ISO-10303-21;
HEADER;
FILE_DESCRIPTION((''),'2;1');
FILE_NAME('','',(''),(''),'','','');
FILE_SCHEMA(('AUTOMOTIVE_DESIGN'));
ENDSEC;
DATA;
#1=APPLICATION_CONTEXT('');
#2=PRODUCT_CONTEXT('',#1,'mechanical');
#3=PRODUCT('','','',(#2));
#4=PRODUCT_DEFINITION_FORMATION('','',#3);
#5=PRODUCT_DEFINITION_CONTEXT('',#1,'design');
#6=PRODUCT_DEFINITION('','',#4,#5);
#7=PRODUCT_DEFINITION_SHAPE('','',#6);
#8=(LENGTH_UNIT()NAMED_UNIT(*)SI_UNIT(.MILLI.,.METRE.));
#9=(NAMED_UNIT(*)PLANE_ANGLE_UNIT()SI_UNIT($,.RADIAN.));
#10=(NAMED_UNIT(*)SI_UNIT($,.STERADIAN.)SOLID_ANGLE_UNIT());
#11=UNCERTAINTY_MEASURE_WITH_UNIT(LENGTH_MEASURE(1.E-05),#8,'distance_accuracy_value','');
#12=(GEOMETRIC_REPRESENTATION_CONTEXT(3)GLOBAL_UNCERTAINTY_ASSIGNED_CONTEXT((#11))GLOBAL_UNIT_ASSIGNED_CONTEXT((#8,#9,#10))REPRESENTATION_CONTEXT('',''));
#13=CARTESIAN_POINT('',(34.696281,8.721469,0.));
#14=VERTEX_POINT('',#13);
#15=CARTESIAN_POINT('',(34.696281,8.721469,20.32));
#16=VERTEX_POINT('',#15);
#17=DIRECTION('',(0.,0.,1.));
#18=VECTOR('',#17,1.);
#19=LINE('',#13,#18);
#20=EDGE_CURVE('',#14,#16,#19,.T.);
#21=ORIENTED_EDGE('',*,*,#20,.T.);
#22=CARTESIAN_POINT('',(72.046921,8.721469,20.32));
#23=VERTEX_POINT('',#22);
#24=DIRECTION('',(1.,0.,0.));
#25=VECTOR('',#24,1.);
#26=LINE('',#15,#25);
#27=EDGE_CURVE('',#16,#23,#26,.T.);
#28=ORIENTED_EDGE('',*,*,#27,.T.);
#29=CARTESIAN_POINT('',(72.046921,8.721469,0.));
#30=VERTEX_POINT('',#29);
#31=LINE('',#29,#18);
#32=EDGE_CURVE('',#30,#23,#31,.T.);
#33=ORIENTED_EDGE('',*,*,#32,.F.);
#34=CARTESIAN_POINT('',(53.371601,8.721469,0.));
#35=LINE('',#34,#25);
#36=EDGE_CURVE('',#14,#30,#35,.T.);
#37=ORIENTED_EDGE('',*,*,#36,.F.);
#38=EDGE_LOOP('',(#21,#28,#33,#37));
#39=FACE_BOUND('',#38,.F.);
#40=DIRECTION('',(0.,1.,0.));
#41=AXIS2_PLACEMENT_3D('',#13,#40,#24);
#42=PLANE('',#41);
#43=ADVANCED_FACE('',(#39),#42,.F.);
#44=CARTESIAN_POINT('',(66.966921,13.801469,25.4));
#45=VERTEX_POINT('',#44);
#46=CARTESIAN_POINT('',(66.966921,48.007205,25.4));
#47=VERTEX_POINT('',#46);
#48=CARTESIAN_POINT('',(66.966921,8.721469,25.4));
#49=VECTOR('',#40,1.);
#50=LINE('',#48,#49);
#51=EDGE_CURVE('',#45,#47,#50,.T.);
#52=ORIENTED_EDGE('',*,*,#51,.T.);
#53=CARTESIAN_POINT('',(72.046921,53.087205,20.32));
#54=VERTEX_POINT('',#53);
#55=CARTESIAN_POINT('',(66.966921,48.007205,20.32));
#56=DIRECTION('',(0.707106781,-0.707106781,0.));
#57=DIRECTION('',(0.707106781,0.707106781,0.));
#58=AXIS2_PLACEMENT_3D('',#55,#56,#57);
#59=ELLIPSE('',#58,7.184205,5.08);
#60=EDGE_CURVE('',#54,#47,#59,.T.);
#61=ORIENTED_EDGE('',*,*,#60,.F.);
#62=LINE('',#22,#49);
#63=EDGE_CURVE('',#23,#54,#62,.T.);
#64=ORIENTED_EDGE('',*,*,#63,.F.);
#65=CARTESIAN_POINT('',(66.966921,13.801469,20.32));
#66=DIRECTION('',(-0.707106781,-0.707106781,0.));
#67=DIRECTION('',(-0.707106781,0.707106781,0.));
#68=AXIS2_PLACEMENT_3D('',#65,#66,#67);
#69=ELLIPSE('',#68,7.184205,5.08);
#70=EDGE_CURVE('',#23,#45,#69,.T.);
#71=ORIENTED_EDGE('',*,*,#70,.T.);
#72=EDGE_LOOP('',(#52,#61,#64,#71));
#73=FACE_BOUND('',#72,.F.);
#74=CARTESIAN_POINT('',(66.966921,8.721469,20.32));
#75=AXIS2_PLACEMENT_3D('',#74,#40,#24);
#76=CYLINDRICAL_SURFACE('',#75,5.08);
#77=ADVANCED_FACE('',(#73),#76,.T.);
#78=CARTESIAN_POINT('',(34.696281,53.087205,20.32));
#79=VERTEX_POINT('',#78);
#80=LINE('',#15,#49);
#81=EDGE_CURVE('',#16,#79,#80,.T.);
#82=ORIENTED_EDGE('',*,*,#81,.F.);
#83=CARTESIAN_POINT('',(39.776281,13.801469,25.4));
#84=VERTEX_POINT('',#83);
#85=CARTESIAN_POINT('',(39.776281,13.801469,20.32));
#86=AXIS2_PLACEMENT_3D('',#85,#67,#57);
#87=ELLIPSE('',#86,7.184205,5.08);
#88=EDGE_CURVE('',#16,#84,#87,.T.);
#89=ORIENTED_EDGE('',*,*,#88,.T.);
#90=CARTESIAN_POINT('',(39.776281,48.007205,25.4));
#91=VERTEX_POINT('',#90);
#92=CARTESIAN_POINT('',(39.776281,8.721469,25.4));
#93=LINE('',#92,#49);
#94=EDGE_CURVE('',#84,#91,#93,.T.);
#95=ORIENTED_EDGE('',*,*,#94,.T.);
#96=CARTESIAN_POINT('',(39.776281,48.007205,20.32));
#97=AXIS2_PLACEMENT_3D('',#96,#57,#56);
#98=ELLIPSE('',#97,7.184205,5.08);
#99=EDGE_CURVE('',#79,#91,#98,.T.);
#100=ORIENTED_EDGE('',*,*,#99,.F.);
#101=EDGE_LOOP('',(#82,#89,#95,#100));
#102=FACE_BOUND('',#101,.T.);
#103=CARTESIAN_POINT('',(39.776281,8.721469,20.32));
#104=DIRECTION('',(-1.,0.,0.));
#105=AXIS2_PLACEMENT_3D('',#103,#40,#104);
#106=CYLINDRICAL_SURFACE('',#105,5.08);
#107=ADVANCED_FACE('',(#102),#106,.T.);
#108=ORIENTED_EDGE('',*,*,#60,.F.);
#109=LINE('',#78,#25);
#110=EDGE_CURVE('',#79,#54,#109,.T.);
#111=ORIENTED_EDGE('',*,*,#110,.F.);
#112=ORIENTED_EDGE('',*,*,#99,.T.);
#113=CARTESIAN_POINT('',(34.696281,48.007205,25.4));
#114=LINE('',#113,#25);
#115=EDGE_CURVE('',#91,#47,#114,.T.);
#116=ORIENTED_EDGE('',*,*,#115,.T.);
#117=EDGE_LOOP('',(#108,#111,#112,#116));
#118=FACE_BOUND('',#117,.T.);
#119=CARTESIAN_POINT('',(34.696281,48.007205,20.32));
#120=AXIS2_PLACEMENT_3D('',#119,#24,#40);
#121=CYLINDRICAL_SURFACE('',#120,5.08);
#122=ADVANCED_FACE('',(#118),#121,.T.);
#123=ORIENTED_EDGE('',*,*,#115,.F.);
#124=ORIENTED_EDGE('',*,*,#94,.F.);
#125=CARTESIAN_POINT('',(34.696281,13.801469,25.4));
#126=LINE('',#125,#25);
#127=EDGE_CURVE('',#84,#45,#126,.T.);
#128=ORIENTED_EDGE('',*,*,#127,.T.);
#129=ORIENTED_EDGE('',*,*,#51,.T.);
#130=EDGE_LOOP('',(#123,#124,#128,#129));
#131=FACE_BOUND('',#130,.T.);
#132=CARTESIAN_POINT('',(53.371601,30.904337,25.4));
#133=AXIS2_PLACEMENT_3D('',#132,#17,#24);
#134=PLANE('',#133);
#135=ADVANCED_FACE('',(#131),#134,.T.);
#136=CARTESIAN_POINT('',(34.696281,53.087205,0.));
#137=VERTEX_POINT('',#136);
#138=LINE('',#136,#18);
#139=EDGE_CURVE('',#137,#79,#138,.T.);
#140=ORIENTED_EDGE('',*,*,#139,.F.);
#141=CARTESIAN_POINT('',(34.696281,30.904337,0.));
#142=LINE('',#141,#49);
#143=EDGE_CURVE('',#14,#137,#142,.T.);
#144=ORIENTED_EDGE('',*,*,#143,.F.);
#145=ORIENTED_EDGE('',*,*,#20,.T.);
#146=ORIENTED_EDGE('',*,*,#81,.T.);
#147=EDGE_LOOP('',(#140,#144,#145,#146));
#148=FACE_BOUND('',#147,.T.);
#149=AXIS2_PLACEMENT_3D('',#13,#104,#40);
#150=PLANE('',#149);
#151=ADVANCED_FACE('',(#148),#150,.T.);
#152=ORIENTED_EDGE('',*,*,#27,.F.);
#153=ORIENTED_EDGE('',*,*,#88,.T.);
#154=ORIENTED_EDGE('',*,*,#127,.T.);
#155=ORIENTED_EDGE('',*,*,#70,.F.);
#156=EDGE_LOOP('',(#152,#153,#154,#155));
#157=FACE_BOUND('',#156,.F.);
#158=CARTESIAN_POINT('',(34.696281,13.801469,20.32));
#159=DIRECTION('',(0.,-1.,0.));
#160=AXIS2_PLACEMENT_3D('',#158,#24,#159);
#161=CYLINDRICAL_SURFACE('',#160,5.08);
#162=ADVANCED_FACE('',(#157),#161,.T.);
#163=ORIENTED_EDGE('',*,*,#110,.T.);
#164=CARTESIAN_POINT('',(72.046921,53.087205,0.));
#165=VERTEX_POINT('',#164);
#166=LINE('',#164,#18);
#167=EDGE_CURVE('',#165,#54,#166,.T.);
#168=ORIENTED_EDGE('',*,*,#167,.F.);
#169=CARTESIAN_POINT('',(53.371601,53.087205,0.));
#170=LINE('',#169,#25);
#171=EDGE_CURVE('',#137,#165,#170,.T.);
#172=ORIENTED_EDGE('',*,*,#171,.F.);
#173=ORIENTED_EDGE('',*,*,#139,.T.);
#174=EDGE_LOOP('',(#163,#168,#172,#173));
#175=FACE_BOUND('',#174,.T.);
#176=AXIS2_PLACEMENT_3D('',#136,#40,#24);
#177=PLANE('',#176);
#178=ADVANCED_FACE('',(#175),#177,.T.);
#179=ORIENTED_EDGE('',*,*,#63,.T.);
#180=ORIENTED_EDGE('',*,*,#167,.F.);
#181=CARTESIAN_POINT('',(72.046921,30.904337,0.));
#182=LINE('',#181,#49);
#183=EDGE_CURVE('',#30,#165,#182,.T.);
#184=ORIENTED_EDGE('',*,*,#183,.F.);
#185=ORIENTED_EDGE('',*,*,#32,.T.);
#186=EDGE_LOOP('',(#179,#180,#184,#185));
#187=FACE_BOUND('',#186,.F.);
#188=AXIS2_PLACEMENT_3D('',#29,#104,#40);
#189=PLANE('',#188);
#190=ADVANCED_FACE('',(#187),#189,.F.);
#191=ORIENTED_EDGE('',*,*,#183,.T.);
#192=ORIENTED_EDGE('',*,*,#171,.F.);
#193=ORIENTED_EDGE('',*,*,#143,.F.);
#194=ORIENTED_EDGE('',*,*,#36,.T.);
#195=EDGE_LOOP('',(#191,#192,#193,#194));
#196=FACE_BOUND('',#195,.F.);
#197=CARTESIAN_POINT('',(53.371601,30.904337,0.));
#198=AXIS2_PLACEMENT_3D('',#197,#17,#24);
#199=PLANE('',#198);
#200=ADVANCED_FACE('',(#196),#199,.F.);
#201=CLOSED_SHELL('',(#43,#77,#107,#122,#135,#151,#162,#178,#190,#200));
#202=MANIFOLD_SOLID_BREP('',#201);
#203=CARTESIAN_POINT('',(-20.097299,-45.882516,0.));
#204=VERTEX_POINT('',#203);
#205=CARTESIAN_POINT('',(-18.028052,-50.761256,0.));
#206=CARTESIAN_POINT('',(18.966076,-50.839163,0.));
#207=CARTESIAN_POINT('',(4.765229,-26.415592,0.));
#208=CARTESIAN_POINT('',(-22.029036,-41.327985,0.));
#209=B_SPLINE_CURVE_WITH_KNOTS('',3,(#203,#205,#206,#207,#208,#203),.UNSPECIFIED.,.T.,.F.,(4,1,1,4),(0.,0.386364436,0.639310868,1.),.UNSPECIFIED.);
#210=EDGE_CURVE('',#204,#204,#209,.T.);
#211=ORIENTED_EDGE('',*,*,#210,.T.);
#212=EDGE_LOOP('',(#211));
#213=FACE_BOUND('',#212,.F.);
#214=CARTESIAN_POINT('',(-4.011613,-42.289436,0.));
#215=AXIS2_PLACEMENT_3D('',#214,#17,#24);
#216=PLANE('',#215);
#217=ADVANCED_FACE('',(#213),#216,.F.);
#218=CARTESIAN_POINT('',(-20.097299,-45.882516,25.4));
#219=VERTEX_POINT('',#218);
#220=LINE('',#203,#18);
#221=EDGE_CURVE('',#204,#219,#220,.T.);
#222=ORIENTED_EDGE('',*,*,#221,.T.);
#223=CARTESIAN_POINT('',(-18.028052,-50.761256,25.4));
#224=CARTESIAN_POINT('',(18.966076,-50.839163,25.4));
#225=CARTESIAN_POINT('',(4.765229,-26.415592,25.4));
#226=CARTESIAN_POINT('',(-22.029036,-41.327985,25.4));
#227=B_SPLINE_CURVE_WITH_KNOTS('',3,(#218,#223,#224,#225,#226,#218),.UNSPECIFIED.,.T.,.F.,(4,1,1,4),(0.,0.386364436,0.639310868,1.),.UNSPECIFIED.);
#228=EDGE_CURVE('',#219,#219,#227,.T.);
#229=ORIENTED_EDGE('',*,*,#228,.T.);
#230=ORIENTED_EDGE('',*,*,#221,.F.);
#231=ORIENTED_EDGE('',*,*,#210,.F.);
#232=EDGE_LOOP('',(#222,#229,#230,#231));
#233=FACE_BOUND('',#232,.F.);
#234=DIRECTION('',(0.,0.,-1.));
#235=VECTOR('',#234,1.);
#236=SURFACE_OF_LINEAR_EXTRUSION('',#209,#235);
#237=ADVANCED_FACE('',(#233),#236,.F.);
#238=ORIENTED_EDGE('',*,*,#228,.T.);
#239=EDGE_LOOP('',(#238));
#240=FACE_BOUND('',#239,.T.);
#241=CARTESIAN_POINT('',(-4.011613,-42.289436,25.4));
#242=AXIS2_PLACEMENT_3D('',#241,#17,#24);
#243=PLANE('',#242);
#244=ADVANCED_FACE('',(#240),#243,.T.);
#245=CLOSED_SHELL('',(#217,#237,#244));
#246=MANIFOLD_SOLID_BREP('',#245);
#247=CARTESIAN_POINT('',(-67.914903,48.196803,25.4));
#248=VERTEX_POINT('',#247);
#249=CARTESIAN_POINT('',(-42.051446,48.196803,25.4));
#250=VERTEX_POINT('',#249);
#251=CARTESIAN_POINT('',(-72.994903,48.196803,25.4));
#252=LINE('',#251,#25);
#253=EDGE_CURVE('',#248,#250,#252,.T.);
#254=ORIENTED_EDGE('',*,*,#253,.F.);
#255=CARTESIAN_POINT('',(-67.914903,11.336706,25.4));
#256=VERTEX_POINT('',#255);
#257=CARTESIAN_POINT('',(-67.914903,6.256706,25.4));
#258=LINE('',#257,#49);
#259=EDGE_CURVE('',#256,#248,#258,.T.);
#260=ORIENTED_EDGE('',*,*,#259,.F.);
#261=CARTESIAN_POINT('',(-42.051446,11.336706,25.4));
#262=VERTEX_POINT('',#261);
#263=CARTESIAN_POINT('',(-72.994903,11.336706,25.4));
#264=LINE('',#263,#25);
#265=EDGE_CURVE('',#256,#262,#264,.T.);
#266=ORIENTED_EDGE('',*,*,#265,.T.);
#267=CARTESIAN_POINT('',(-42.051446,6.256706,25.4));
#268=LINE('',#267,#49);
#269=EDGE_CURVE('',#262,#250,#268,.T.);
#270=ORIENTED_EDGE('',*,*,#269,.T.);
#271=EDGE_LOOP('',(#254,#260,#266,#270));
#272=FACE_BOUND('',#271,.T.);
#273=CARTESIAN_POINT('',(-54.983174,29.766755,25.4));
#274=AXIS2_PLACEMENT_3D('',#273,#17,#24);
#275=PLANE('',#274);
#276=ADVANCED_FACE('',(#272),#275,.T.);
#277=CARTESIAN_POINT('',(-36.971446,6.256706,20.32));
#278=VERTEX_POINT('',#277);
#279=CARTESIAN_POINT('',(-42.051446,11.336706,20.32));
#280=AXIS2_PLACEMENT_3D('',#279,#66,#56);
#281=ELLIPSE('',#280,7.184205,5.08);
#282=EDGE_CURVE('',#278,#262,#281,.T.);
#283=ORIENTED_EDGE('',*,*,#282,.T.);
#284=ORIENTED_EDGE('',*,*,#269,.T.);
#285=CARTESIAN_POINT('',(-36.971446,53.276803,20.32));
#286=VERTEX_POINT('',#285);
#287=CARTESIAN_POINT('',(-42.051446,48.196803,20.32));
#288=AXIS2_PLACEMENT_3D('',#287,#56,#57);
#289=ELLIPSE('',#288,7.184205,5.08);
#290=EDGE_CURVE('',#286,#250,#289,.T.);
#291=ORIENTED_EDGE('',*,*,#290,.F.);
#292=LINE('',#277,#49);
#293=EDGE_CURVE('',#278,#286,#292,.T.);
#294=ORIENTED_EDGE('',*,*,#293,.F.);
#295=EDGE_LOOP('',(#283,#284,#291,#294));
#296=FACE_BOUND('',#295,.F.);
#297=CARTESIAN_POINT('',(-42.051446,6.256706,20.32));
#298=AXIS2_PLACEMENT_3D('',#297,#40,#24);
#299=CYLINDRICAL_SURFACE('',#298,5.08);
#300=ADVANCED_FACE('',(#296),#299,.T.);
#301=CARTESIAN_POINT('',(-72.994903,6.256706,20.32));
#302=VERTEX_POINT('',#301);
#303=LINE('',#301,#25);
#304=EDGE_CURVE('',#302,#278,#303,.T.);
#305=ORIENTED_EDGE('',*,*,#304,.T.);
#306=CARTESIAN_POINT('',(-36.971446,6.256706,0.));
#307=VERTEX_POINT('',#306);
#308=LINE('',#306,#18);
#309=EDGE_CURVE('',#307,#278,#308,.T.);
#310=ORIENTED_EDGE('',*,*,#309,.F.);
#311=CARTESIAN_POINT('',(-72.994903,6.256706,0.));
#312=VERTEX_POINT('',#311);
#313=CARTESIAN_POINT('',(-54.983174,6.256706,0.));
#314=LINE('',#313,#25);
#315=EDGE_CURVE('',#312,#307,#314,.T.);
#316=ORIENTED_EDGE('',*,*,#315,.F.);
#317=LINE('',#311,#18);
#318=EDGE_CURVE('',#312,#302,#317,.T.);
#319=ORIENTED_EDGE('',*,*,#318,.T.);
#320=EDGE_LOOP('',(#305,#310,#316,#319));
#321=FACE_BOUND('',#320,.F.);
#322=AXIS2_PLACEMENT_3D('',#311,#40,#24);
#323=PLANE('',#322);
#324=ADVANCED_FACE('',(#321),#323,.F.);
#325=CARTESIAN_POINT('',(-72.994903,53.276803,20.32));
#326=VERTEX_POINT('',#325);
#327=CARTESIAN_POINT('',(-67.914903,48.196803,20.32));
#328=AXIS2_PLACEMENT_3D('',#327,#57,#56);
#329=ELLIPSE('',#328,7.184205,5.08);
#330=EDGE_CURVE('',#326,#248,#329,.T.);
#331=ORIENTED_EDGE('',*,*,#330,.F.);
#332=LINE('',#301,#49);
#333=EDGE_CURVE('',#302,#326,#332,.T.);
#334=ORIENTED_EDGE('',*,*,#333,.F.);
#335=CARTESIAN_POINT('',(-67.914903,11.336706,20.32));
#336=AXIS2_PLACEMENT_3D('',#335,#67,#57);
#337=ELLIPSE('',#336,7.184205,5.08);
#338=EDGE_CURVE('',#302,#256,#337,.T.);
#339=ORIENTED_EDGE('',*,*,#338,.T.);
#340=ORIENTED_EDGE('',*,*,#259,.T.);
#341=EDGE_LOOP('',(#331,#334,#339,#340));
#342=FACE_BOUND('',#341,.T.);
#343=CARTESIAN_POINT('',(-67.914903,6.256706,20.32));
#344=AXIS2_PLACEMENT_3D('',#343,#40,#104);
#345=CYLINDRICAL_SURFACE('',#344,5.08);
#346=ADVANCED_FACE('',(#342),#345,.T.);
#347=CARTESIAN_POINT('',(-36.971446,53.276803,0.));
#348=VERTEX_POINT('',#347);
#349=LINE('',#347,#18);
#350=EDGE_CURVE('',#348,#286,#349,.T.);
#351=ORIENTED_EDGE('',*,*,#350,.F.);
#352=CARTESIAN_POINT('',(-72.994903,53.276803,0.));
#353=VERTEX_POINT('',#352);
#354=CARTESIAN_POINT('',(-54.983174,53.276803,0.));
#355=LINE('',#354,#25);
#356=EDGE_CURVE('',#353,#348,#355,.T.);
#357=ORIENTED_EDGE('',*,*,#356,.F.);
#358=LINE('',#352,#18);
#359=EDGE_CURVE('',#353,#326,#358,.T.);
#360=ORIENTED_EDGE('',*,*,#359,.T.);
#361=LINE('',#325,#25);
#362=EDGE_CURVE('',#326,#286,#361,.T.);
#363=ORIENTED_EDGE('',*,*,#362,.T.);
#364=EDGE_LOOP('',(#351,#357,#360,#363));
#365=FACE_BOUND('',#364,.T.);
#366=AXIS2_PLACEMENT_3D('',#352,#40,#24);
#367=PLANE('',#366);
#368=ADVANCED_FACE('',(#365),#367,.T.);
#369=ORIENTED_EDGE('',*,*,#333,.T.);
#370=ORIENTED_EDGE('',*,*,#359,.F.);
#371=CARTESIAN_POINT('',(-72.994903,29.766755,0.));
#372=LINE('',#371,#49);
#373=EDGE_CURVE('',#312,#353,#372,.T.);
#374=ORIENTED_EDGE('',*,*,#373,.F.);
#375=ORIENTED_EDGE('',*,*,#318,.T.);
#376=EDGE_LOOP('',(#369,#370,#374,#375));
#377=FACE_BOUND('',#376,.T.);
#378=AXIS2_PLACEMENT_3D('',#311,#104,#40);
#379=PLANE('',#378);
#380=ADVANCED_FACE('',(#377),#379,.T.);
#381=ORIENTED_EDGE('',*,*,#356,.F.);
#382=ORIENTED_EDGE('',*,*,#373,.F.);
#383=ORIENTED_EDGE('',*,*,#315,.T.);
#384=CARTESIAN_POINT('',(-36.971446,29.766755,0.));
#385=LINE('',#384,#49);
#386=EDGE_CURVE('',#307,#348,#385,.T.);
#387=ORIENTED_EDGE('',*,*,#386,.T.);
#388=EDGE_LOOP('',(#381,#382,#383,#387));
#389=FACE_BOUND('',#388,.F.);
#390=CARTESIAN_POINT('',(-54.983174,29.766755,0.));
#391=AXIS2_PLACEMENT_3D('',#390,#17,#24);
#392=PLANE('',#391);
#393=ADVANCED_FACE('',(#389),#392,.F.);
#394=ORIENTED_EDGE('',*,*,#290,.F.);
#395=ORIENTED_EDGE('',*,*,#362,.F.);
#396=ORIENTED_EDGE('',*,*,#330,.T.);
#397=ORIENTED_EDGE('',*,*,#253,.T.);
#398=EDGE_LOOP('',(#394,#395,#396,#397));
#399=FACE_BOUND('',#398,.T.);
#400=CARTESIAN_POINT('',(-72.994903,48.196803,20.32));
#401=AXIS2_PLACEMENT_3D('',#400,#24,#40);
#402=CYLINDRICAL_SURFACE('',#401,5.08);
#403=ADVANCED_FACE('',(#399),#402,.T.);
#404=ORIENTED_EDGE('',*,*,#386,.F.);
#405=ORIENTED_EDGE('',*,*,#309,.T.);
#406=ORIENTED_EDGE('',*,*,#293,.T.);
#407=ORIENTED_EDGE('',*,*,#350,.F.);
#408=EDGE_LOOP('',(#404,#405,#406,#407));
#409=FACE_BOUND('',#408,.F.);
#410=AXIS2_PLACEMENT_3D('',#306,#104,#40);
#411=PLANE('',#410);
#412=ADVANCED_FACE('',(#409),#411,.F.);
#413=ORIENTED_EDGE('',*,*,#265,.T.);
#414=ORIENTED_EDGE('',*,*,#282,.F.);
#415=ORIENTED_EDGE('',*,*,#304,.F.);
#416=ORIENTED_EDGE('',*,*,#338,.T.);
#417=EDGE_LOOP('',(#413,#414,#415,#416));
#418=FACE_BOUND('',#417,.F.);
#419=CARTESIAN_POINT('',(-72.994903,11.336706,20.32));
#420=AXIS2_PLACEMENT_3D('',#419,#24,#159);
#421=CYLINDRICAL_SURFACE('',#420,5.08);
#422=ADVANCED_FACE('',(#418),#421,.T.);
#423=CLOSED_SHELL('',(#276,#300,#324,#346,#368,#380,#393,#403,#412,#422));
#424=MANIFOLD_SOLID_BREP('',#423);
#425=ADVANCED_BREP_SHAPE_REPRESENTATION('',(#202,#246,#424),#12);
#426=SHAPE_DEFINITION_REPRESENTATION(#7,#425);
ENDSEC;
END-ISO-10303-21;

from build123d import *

# Parameters (mm, degrees)
F0_W     = 36.0234566033
F0_H     = 47.0200972632
F1_DEPTH = 25.4
F0_W_2   = 37.3506397009
F0_H_2   = 44.3657357246
F2_R     = 5.08
F3_R     = 5.08


with BuildPart() as f1:
    # F0 (on Top) → F1 (new body)
    with BuildSketch(Plane.XY):
        with Locations((-54.9831744283, 29.7667547129)):
            Rectangle(F0_W, F0_H)
    extrude(amount=F1_DEPTH)

    # F2
    f2_edges = [f1.edges().sort_by_distance(p)[0] for p in [
        (-54.983174, 53.276803, 25.4),
        (-72.994903, 29.766755, 25.4),
        (-54.983174, 6.256706, 25.4),
        (-36.971446, 29.766755, 25.4),
    ]]
    fillet(f2_edges, radius=F2_R)


with BuildPart() as f1b:
    # F0 (on Top) → F1, piece 2 (new body)
    with BuildSketch(Plane.XY):
        with Locations((53.3716008067, 30.9043368325)):
            Rectangle(F0_W_2, F0_H_2)
    extrude(amount=F1_DEPTH)

    # F3
    f3_edges = [f1b.edges().sort_by_distance(p)[0] for p in [
        (53.371601, 53.087205, 25.4),
        (72.046921, 30.904337, 25.4),
        (53.371601, 8.721469, 25.4),
        (34.696281, 30.904337, 25.4),
    ]]
    fillet(f3_edges, radius=F3_R)


with BuildPart() as f1c:
    # F0 (on Top) → F1, piece 3 (new body)
    with BuildSketch(Plane.XY):
        with BuildLine():
            add(Edge.make_bspline(
                [(-20.0972985476, -45.8825156093), (-18.0280519392, -50.761255776), (18.9660756998, -50.8391629105), (4.7652291289, -26.4155916283), (-22.0290362866, -41.32798525), (-20.0972985476, -45.8825156093)],
                knots=[0, 0, 0, 0, 0.3863644362, 0.6393108684, 1, 1, 1, 1], degree=3))
        make_face()
    extrude(amount=F1_DEPTH)


solid = Compound([f1.part, f1b.part, f1c.part])
